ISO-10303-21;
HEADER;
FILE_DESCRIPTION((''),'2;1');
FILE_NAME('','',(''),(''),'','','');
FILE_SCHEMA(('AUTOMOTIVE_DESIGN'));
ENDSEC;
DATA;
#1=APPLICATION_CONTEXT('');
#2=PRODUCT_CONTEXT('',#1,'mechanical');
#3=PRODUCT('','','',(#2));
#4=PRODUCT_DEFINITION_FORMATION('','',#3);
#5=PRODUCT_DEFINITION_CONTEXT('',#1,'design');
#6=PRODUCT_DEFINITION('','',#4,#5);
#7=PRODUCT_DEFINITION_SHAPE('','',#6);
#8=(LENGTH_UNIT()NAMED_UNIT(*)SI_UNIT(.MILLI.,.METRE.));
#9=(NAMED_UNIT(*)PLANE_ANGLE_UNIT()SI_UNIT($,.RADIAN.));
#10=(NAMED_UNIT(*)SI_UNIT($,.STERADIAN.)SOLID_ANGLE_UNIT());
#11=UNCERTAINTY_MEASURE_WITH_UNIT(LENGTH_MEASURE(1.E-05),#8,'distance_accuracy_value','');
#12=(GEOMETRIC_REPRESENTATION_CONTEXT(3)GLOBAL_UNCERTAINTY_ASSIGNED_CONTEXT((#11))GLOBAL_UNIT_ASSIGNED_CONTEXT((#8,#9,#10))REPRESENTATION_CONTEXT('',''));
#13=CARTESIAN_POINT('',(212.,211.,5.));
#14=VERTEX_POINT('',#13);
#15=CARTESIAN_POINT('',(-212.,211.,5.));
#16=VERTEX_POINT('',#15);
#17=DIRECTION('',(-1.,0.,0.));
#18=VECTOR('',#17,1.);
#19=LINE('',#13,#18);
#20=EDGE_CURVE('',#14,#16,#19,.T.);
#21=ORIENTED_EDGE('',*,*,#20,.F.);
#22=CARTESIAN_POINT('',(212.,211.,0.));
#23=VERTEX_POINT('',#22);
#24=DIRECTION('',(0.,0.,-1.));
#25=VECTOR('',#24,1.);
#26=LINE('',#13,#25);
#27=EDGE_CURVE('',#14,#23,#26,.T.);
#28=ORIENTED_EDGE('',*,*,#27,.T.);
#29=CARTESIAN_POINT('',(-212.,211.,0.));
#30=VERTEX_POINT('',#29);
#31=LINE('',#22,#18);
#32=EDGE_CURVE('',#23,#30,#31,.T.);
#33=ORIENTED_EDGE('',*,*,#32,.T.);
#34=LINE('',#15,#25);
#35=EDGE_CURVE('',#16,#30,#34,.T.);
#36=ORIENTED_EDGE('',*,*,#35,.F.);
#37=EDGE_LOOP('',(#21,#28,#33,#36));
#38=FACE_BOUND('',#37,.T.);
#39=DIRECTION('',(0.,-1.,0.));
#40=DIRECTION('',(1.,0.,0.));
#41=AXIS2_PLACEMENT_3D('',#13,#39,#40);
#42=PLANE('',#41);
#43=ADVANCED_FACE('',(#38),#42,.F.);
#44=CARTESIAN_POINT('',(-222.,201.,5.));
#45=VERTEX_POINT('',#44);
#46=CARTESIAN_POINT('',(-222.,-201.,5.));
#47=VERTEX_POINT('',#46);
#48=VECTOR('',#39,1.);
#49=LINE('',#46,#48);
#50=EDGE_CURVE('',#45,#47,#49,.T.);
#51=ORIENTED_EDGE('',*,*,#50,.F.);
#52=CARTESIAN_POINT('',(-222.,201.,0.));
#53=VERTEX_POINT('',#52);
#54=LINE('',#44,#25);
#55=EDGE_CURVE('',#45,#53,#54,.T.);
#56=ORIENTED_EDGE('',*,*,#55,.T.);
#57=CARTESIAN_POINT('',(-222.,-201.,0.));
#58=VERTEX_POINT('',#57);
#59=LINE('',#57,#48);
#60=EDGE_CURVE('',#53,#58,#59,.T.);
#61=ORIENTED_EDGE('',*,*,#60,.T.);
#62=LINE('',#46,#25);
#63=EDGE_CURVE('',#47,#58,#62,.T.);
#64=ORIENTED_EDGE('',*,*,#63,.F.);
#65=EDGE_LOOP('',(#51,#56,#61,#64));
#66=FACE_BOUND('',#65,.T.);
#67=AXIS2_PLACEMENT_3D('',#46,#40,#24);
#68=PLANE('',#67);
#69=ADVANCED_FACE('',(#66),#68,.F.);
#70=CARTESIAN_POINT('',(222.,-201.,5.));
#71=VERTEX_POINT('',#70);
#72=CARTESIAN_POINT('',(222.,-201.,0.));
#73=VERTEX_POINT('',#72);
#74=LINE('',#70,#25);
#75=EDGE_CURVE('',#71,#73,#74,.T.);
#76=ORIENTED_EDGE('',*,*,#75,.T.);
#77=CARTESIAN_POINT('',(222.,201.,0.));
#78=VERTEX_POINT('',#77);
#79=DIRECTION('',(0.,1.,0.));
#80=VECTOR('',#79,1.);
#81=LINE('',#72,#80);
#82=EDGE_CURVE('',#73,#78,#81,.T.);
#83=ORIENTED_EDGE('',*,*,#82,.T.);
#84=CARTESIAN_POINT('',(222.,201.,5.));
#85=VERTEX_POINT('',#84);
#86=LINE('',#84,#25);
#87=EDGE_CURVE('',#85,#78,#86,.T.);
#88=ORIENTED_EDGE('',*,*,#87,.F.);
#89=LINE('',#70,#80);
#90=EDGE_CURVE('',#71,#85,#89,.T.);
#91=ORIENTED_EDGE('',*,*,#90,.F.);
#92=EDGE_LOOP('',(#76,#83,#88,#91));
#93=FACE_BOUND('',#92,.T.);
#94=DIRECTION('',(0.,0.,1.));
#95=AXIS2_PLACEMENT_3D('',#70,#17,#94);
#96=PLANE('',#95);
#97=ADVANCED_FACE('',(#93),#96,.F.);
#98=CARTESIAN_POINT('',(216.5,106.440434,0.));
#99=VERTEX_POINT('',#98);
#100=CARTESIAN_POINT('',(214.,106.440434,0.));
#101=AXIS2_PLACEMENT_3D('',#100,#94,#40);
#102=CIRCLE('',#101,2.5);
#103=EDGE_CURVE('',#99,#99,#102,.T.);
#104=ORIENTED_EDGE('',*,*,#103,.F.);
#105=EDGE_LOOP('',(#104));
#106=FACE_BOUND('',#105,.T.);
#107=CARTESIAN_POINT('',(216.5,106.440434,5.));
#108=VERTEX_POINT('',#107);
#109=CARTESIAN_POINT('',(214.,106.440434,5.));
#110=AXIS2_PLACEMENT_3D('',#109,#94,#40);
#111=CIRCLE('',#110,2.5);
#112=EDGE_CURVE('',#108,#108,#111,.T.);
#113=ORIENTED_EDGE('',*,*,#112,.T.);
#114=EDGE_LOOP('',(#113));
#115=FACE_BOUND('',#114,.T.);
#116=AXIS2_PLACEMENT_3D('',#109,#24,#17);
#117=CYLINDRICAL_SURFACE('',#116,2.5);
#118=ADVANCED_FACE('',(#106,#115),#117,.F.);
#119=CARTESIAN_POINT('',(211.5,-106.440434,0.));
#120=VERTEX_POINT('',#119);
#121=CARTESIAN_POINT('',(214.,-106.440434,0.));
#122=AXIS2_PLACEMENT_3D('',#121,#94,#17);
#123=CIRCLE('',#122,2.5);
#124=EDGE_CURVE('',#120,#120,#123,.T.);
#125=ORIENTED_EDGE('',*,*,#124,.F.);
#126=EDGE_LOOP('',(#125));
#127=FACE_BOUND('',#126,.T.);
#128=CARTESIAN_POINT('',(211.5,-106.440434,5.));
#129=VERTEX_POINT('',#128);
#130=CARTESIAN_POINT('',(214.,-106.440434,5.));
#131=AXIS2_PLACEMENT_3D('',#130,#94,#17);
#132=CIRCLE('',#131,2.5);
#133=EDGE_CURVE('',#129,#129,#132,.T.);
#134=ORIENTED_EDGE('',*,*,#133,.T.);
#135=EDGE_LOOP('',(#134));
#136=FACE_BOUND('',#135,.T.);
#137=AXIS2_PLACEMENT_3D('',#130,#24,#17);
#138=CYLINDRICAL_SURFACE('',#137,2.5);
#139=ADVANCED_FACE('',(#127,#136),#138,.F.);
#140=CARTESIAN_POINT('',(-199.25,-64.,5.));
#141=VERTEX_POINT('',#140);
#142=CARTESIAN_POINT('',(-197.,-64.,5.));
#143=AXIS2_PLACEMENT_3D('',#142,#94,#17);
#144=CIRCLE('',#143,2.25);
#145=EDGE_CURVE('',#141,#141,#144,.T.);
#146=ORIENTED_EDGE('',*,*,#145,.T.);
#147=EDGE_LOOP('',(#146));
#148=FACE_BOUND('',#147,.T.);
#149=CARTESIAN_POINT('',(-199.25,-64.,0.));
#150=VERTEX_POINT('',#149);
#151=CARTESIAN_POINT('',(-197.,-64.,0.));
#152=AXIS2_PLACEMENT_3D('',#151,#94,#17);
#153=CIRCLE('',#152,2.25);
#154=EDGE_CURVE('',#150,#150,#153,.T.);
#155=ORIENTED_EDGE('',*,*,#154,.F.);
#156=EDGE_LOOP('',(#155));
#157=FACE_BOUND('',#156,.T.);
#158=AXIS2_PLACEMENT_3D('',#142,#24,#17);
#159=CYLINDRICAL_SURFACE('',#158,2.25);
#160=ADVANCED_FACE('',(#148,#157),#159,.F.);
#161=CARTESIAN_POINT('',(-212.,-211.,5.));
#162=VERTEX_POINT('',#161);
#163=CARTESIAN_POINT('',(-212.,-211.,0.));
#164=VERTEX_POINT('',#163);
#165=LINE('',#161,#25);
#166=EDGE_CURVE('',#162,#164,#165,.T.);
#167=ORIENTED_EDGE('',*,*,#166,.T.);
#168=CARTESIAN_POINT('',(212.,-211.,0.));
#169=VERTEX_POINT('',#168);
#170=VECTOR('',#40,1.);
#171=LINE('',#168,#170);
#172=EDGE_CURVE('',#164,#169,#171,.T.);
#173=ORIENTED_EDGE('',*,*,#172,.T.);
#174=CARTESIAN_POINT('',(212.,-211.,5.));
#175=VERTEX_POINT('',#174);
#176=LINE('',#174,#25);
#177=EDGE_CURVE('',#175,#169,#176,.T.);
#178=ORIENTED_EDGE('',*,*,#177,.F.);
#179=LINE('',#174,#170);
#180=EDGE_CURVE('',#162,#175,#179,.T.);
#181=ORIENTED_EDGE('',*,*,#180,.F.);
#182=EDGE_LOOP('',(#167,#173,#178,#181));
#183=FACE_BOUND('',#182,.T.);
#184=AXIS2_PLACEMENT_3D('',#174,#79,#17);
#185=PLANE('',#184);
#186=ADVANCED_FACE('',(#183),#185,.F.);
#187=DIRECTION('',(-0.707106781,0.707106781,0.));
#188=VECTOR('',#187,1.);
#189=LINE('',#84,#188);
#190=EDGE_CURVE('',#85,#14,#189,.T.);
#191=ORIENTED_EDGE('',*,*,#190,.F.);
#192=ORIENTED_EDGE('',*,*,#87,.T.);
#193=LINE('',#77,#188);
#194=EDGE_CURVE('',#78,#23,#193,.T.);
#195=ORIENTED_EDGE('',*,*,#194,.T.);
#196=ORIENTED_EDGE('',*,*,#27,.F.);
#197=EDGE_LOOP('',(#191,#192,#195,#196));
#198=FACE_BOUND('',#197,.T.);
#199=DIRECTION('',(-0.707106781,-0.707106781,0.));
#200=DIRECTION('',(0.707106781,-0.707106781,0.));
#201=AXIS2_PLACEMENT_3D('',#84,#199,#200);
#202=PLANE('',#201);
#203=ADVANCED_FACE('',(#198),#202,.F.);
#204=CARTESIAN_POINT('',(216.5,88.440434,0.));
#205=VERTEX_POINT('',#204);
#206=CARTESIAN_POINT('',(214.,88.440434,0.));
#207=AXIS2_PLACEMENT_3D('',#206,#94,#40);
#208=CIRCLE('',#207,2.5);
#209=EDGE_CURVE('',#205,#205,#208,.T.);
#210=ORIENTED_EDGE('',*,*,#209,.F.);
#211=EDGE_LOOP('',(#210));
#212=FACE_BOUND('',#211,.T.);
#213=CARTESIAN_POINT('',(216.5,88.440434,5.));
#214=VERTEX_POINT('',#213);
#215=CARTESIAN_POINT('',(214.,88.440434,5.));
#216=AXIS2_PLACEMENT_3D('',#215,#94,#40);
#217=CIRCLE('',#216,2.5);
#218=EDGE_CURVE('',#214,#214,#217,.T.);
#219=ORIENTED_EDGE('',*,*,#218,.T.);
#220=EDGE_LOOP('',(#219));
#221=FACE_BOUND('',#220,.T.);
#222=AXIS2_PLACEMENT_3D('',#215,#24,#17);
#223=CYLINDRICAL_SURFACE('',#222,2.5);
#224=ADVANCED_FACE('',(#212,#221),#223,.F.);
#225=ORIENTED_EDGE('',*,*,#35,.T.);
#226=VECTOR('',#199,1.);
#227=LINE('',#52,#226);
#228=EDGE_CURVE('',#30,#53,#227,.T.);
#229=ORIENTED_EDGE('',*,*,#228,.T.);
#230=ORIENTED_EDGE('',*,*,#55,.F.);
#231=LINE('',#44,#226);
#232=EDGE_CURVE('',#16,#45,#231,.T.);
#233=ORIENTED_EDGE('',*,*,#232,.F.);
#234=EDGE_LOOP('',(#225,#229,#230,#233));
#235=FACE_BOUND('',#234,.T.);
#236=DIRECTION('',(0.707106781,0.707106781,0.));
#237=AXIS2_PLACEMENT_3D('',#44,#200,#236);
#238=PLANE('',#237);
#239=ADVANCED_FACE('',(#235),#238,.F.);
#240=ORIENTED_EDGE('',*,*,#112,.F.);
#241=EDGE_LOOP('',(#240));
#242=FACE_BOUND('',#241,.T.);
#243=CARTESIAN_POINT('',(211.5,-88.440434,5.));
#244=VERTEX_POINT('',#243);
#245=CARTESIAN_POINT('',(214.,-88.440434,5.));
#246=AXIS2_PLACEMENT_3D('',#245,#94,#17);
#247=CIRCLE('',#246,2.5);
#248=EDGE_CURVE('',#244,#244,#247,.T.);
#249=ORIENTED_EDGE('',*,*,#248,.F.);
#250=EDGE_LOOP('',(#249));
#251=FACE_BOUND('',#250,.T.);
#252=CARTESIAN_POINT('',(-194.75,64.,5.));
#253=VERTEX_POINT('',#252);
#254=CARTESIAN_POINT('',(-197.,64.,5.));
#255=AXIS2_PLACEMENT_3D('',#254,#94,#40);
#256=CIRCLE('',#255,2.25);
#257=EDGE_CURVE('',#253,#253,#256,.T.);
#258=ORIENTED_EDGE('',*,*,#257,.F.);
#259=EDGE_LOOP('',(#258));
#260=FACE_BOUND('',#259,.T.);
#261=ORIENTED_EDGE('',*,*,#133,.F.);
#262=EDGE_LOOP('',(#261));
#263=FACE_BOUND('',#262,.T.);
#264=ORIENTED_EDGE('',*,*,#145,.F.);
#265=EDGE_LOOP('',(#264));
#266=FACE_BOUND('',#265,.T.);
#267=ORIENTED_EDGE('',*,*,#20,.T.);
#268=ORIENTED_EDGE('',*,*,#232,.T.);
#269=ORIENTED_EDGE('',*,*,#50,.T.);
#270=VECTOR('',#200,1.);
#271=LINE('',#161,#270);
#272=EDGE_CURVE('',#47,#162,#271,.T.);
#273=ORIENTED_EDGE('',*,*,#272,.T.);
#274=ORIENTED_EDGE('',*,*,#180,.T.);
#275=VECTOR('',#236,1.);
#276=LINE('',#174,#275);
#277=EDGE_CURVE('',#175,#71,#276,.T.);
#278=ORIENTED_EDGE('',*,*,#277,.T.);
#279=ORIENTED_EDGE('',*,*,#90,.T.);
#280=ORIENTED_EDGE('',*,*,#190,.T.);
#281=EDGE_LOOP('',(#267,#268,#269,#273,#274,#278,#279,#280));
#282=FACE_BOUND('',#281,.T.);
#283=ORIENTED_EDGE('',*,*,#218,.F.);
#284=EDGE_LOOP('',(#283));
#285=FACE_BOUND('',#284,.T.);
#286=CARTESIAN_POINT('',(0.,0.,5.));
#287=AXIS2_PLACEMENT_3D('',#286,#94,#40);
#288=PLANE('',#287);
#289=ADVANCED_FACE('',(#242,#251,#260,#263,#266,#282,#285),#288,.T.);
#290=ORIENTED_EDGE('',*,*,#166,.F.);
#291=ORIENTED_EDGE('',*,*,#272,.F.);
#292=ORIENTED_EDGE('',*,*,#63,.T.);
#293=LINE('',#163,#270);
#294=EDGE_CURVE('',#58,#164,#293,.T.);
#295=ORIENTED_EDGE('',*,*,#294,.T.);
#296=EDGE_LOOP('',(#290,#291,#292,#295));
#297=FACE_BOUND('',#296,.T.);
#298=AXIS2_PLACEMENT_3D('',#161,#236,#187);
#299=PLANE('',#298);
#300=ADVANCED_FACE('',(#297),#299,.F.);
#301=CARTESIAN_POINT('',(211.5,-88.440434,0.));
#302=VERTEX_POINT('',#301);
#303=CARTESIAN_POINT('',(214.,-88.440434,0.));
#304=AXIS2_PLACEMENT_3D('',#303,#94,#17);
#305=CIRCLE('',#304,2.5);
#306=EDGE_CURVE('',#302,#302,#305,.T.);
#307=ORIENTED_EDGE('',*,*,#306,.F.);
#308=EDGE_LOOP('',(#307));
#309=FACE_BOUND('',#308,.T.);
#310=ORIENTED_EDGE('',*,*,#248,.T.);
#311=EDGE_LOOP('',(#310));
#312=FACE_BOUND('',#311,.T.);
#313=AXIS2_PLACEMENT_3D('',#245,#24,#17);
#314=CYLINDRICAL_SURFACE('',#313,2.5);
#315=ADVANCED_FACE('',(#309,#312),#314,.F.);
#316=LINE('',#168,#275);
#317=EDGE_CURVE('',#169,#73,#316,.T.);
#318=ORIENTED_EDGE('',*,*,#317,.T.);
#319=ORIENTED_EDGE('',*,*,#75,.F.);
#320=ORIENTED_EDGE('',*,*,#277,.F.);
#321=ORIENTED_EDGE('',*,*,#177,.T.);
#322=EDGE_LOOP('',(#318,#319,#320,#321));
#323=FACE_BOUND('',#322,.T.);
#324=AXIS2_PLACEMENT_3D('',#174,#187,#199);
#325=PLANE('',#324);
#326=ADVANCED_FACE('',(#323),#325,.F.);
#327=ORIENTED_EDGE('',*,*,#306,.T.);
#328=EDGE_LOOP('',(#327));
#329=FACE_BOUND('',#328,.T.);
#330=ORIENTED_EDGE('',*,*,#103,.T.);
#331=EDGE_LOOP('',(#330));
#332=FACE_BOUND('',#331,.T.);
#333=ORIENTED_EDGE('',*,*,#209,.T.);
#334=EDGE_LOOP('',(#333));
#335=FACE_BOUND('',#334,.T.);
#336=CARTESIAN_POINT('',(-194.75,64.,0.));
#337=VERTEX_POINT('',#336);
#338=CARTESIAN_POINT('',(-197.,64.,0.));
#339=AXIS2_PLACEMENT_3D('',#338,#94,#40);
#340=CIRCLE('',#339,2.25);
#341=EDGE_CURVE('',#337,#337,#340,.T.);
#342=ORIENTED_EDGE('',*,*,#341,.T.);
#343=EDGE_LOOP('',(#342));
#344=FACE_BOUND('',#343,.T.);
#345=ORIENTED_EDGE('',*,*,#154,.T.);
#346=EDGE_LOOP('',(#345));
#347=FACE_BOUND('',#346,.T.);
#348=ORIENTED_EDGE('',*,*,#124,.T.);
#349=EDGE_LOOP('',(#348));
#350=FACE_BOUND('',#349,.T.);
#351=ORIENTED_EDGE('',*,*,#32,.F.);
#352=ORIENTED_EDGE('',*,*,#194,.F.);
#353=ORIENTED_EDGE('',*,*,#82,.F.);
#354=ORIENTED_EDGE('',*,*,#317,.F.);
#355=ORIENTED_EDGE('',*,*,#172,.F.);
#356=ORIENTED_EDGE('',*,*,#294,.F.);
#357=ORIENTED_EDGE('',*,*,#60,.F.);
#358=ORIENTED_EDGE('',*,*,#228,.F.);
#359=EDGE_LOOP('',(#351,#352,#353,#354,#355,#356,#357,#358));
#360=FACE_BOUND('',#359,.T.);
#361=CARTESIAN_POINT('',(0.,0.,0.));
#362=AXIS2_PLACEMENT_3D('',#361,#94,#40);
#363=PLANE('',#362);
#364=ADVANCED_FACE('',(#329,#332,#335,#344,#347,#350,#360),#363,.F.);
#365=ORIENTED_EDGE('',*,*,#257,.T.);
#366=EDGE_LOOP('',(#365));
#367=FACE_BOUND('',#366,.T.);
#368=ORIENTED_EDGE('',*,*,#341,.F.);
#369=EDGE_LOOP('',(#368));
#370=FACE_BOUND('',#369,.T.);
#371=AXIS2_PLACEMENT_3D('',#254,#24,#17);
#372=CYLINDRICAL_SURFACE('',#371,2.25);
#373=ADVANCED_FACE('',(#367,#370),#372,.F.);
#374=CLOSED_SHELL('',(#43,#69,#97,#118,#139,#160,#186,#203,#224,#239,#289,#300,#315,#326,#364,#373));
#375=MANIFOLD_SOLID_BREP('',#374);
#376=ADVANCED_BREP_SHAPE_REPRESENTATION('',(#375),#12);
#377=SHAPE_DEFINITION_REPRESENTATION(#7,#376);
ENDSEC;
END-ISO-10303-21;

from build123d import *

# Parameters (mm, degrees)
SCHIZZO1_R                   = 2.5
SCHIZZO1_R_2                 = 2.25
ESTRUSIONE_ESTRUSIONE1_DEPTH = 5


with BuildPart() as part:
    # Schizzo1 → Estrusione-Estrusione1 (new body)
    with BuildSketch(Plane.XY):
        Polygon((-222, 201), (-212, 211), (212, 211), (222, 201), (222, -201), (212, -211), (-212, -211), (-222, -201), align=None)
        with Locations((214, 106.440434068)):
            Circle(SCHIZZO1_R, mode=Mode.SUBTRACT)
        with Locations((214, 88.440434068)):
            Circle(SCHIZZO1_R, mode=Mode.SUBTRACT)
        with Locations(Location((214, -88.440434068, 0), (0, 0, 180))):
            Circle(SCHIZZO1_R, mode=Mode.SUBTRACT)
        with Locations(Location((214, -106.440434068, 0), (0, 0, 180))):
            Circle(SCHIZZO1_R, mode=Mode.SUBTRACT)
        with Locations((-197, 64)):
            Circle(SCHIZZO1_R_2, mode=Mode.SUBTRACT)
        with Locations(Location((-197, -64, 0), (0, 0, 180))):
            Circle(SCHIZZO1_R_2, mode=Mode.SUBTRACT)
    extrude(amount=ESTRUSIONE_ESTRUSIONE1_DEPTH)


solid = part.part
